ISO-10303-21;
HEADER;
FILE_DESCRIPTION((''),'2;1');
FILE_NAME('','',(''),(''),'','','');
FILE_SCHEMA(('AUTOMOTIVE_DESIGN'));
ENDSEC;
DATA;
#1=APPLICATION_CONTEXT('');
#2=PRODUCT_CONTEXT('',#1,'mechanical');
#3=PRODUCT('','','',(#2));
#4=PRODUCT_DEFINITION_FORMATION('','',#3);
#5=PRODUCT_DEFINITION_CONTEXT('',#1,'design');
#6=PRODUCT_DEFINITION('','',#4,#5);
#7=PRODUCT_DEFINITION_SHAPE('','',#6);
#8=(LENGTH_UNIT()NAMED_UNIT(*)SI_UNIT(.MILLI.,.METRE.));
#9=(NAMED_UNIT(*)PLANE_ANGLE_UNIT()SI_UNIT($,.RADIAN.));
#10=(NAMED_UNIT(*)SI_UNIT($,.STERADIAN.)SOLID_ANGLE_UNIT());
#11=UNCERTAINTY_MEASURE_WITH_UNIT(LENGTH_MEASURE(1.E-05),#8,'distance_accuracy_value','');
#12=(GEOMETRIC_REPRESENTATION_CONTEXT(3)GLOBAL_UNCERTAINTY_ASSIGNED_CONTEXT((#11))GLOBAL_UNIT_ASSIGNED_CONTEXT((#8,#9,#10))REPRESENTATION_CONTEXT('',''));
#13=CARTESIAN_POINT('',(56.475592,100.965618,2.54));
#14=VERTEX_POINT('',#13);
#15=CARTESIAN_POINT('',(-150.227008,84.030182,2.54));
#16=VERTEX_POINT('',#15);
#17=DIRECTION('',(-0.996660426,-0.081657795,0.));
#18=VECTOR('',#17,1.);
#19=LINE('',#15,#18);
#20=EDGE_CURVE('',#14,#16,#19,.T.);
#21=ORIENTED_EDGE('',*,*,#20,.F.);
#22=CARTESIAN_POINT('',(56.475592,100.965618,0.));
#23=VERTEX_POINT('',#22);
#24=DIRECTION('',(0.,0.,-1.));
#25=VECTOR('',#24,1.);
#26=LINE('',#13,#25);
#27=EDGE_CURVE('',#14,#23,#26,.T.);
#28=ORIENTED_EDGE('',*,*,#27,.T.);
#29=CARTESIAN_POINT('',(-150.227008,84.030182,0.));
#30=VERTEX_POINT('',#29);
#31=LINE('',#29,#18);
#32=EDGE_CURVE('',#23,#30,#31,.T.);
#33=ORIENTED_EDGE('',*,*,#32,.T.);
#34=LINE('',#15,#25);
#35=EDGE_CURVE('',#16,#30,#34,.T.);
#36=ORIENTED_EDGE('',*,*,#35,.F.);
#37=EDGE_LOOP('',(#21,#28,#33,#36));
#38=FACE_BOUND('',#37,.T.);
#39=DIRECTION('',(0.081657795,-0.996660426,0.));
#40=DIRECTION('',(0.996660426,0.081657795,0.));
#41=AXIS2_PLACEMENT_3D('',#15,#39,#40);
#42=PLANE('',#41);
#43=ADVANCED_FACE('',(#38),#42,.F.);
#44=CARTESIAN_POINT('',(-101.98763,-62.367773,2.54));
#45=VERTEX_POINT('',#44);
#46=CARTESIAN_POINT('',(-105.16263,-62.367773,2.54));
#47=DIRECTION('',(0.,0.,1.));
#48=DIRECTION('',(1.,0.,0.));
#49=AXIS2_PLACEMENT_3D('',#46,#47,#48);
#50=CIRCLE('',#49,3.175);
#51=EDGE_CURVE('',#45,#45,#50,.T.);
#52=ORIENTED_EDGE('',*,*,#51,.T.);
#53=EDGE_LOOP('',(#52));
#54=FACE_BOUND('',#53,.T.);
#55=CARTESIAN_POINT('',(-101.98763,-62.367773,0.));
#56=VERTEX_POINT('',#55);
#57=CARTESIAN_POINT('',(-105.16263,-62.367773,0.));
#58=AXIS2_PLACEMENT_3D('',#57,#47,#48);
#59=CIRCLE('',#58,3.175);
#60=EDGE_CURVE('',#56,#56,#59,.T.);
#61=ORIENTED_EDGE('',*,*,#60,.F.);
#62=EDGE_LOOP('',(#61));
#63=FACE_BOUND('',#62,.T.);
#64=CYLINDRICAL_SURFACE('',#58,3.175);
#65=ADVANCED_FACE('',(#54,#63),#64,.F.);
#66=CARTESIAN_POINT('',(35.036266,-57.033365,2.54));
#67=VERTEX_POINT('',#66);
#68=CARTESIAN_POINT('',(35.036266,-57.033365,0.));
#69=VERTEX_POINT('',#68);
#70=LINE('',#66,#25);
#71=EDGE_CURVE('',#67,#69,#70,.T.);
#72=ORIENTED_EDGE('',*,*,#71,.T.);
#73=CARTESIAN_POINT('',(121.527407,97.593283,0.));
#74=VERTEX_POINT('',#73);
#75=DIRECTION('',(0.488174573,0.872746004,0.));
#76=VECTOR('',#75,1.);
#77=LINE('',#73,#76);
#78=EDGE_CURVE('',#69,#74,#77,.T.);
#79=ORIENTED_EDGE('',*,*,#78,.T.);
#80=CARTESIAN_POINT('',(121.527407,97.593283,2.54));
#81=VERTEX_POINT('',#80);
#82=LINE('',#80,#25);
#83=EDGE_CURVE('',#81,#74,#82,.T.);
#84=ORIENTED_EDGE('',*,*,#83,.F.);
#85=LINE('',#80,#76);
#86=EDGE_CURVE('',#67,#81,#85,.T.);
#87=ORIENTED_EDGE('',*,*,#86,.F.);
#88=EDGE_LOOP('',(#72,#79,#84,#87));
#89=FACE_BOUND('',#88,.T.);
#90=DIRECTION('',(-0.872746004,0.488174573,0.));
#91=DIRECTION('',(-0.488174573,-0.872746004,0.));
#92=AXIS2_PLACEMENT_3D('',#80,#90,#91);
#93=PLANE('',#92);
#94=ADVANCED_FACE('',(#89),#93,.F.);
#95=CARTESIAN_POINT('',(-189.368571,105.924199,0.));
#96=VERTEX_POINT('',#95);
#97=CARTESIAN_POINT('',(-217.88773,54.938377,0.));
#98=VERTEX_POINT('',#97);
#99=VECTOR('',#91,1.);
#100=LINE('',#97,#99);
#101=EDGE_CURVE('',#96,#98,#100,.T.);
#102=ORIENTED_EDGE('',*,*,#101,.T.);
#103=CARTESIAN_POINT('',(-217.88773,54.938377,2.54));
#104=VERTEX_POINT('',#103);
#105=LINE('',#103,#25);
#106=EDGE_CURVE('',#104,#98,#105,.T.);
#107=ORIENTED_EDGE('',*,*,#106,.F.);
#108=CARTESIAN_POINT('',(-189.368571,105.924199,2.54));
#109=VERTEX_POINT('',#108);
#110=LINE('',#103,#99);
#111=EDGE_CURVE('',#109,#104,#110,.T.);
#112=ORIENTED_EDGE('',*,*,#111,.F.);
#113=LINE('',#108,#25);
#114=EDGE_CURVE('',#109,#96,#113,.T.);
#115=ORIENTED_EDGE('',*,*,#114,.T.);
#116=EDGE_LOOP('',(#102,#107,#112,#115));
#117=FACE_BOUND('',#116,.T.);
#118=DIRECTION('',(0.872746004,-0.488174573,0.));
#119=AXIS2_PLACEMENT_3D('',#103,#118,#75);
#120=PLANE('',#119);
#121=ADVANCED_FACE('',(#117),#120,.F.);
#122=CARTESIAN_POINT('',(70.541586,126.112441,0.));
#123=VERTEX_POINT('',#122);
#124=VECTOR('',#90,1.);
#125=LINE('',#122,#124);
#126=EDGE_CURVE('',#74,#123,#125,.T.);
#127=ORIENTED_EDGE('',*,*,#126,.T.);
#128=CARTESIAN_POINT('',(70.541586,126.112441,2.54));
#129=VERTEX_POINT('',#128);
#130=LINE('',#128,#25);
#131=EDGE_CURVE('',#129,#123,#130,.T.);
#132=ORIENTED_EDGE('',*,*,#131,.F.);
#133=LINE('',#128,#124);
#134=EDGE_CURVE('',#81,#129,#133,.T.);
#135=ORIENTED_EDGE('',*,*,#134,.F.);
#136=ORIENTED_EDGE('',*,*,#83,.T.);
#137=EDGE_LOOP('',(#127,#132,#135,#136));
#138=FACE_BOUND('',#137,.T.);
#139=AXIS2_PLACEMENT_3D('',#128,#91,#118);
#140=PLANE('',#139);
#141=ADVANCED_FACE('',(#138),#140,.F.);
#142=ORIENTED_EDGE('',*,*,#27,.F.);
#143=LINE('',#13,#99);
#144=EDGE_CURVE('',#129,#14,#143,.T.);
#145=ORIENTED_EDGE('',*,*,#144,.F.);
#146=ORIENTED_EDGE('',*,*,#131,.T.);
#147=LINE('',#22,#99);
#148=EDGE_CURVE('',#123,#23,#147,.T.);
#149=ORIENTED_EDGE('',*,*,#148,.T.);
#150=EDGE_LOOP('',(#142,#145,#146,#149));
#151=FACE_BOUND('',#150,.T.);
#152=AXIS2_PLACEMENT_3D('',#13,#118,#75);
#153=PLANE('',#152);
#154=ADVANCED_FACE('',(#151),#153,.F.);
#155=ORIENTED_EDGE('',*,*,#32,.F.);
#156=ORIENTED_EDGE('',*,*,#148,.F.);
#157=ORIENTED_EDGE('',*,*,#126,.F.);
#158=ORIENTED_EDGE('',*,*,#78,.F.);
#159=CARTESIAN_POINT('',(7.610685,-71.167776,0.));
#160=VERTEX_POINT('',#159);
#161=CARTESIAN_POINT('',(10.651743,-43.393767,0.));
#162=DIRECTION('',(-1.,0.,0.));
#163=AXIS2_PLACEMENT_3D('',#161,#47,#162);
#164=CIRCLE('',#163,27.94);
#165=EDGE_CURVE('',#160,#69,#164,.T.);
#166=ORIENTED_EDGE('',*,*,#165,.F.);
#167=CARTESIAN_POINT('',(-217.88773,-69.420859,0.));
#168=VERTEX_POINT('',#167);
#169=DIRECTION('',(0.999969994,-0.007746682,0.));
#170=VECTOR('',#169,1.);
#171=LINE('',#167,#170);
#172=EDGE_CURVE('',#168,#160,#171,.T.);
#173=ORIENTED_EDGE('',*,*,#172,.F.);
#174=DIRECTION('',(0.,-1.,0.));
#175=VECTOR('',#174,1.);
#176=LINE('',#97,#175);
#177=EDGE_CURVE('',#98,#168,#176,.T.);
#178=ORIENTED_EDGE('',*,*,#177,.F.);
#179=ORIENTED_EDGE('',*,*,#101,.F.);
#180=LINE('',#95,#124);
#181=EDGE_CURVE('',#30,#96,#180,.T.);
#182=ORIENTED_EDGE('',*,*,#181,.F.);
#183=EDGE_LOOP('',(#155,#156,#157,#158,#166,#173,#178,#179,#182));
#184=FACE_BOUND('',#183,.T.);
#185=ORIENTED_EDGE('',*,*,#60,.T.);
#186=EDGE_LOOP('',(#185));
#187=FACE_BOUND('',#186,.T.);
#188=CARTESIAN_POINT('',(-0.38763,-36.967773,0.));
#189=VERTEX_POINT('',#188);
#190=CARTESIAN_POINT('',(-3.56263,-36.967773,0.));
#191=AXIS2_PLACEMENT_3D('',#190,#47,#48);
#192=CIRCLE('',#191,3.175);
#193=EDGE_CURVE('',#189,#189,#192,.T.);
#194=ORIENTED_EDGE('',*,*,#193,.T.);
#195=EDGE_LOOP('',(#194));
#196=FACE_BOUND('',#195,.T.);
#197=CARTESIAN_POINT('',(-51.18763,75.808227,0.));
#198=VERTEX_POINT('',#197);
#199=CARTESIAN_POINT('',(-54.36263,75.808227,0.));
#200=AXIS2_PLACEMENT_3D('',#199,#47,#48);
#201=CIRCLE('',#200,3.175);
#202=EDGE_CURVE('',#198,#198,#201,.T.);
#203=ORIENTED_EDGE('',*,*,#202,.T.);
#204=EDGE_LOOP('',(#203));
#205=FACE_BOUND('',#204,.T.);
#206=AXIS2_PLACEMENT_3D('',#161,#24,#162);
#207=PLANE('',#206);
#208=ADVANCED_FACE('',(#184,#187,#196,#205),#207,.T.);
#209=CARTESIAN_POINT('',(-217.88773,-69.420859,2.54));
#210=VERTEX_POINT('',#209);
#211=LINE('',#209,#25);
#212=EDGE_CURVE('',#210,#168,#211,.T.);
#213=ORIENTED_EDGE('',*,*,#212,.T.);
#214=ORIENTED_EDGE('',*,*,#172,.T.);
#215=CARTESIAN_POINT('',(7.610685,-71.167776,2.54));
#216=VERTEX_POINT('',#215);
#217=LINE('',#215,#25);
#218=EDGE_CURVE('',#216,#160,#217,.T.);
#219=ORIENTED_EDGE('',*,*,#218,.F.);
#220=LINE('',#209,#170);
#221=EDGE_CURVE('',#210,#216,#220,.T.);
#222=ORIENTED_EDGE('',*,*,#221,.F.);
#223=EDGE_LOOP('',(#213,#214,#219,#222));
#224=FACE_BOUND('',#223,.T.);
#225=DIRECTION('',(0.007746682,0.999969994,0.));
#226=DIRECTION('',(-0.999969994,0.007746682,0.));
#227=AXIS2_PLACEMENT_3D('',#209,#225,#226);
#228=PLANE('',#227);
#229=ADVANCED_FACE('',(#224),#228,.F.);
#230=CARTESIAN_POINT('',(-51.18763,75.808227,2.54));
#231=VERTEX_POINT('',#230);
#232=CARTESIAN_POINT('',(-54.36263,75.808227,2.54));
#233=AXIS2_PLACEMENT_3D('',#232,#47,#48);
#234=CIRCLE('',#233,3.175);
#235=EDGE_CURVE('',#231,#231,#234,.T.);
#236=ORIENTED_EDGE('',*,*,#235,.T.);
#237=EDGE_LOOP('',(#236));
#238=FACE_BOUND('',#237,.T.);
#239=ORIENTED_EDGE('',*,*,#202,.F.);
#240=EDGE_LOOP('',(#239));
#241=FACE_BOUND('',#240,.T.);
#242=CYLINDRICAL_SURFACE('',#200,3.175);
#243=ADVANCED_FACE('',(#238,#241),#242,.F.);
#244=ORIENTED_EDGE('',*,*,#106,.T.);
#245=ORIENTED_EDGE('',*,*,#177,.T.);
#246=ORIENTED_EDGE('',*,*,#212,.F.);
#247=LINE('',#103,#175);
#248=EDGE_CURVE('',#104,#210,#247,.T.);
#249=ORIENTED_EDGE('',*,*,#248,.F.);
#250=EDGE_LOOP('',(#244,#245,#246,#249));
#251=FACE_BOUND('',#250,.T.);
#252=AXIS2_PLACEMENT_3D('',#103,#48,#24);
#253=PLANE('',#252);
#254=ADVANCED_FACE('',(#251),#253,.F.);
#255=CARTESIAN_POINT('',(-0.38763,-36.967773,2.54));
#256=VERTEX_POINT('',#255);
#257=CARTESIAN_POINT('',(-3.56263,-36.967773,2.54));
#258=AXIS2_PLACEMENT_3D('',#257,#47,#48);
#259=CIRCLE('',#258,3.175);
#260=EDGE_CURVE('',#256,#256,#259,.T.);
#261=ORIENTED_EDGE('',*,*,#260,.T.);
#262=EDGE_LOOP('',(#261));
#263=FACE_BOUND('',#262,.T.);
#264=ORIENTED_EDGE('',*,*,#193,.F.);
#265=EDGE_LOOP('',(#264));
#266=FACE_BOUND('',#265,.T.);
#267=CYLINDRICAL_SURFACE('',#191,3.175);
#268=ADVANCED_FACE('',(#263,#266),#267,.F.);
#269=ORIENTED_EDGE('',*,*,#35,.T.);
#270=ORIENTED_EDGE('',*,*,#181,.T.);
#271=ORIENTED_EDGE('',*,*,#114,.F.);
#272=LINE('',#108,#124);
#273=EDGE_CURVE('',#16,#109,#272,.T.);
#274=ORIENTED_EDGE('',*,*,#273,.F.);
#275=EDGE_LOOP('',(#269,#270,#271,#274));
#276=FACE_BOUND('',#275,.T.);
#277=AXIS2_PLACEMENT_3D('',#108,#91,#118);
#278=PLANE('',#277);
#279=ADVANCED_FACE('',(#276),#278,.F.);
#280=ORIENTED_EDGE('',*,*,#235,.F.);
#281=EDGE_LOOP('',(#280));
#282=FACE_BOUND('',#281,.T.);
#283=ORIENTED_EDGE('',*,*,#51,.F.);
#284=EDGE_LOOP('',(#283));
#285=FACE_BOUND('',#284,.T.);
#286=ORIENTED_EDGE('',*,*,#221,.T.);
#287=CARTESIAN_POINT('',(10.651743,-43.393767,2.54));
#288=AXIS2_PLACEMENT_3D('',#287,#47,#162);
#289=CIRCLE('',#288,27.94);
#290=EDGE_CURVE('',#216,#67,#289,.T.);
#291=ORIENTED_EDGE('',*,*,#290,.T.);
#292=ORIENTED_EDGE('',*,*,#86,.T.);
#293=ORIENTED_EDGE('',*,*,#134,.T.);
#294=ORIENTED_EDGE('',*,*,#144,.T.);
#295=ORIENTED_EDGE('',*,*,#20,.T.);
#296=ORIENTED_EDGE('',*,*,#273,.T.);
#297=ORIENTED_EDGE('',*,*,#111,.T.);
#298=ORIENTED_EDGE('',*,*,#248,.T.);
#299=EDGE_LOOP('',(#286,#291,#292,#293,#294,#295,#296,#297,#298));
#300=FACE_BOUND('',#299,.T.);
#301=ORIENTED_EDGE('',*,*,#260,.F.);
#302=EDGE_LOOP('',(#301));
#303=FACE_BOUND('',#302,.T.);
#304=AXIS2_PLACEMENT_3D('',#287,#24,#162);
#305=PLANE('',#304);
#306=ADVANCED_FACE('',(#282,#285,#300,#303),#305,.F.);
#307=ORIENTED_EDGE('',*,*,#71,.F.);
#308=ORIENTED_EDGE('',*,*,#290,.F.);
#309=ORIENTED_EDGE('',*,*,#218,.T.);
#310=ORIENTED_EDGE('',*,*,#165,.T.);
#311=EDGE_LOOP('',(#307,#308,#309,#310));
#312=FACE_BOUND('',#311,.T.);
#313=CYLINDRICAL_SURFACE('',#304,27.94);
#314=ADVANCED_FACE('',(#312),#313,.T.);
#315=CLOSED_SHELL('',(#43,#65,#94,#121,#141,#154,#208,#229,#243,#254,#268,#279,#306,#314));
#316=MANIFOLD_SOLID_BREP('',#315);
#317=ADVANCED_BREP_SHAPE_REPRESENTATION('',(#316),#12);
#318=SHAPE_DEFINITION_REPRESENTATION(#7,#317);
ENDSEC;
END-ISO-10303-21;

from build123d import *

# Parameters (mm, degrees)
BOSS_EXTRUDE1_DEPTH = 2.54
SKETCH2_R           = 3.175
CUT_EXTRUDE1_DEPTH  = 252.765490419


with BuildPart() as part:
    # Sketch1 → Boss-Extrude1 (new body)
    with BuildSketch(Plane.XY):
        with BuildLine():
            Line((56.475591943, 100.965617501), (70.541585889, 126.112441388))
            Line((70.541585889, 126.112441388), (121.527407416, 97.59328286))
            Line((121.527407416, 97.59328286), (35.036266464, -57.033364763))
            ThreePointArc((35.036266464, -57.033364763), (23.451402169, -68.229473927), (7.610684951, -71.167776012))
            Line((7.610684951, -71.167776012), (-217.887729561, -69.42085916))
            Line((-217.887729561, -69.42085916), (-217.887729561, 54.938377315))
            Line((-217.887729561, 54.938377315), (-189.368571032, 105.924198843))
            Line((-189.368571032, 105.924198843), (-150.227007979, 84.030181873))
            Line((-150.227007979, 84.030181873), (56.475591943, 100.965617501))
        make_face()
    extrude(amount=BOSS_EXTRUDE1_DEPTH)

    # Sketch2 → Cut-Extrude1 (cut, through all)
    with BuildSketch(Plane.XY.offset(2.54)):
        with BuildLine():
            ThreePointArc((-0.387630151, -36.96777295), (-1.317566121, -34.72270892), (-3.562630151, -33.79277295))
            Line((-3.562630151, -33.79277295), (-3.562630151, -40.14277295))
            ThreePointArc((-3.562630151, -40.14277295), (-1.317566121, -39.212836981), (-0.387630151, -36.96777295))
        make_face()
        with BuildLine():
            Line((-3.562630151, -40.14277295), (-3.562630151, -33.79277295))
            ThreePointArc((-3.562630151, -33.79277295), (-6.737630151, -36.96777295), (-3.562630151, -40.14277295))
        make_face()
        with Locations((-54.362630151, 75.80822705)):
            Circle(SKETCH2_R)
        with Locations((-105.162630151, -62.36777295)):
            Circle(SKETCH2_R)
    extrude(amount=-CUT_EXTRUDE1_DEPTH, mode=Mode.SUBTRACT)


solid = part.part
